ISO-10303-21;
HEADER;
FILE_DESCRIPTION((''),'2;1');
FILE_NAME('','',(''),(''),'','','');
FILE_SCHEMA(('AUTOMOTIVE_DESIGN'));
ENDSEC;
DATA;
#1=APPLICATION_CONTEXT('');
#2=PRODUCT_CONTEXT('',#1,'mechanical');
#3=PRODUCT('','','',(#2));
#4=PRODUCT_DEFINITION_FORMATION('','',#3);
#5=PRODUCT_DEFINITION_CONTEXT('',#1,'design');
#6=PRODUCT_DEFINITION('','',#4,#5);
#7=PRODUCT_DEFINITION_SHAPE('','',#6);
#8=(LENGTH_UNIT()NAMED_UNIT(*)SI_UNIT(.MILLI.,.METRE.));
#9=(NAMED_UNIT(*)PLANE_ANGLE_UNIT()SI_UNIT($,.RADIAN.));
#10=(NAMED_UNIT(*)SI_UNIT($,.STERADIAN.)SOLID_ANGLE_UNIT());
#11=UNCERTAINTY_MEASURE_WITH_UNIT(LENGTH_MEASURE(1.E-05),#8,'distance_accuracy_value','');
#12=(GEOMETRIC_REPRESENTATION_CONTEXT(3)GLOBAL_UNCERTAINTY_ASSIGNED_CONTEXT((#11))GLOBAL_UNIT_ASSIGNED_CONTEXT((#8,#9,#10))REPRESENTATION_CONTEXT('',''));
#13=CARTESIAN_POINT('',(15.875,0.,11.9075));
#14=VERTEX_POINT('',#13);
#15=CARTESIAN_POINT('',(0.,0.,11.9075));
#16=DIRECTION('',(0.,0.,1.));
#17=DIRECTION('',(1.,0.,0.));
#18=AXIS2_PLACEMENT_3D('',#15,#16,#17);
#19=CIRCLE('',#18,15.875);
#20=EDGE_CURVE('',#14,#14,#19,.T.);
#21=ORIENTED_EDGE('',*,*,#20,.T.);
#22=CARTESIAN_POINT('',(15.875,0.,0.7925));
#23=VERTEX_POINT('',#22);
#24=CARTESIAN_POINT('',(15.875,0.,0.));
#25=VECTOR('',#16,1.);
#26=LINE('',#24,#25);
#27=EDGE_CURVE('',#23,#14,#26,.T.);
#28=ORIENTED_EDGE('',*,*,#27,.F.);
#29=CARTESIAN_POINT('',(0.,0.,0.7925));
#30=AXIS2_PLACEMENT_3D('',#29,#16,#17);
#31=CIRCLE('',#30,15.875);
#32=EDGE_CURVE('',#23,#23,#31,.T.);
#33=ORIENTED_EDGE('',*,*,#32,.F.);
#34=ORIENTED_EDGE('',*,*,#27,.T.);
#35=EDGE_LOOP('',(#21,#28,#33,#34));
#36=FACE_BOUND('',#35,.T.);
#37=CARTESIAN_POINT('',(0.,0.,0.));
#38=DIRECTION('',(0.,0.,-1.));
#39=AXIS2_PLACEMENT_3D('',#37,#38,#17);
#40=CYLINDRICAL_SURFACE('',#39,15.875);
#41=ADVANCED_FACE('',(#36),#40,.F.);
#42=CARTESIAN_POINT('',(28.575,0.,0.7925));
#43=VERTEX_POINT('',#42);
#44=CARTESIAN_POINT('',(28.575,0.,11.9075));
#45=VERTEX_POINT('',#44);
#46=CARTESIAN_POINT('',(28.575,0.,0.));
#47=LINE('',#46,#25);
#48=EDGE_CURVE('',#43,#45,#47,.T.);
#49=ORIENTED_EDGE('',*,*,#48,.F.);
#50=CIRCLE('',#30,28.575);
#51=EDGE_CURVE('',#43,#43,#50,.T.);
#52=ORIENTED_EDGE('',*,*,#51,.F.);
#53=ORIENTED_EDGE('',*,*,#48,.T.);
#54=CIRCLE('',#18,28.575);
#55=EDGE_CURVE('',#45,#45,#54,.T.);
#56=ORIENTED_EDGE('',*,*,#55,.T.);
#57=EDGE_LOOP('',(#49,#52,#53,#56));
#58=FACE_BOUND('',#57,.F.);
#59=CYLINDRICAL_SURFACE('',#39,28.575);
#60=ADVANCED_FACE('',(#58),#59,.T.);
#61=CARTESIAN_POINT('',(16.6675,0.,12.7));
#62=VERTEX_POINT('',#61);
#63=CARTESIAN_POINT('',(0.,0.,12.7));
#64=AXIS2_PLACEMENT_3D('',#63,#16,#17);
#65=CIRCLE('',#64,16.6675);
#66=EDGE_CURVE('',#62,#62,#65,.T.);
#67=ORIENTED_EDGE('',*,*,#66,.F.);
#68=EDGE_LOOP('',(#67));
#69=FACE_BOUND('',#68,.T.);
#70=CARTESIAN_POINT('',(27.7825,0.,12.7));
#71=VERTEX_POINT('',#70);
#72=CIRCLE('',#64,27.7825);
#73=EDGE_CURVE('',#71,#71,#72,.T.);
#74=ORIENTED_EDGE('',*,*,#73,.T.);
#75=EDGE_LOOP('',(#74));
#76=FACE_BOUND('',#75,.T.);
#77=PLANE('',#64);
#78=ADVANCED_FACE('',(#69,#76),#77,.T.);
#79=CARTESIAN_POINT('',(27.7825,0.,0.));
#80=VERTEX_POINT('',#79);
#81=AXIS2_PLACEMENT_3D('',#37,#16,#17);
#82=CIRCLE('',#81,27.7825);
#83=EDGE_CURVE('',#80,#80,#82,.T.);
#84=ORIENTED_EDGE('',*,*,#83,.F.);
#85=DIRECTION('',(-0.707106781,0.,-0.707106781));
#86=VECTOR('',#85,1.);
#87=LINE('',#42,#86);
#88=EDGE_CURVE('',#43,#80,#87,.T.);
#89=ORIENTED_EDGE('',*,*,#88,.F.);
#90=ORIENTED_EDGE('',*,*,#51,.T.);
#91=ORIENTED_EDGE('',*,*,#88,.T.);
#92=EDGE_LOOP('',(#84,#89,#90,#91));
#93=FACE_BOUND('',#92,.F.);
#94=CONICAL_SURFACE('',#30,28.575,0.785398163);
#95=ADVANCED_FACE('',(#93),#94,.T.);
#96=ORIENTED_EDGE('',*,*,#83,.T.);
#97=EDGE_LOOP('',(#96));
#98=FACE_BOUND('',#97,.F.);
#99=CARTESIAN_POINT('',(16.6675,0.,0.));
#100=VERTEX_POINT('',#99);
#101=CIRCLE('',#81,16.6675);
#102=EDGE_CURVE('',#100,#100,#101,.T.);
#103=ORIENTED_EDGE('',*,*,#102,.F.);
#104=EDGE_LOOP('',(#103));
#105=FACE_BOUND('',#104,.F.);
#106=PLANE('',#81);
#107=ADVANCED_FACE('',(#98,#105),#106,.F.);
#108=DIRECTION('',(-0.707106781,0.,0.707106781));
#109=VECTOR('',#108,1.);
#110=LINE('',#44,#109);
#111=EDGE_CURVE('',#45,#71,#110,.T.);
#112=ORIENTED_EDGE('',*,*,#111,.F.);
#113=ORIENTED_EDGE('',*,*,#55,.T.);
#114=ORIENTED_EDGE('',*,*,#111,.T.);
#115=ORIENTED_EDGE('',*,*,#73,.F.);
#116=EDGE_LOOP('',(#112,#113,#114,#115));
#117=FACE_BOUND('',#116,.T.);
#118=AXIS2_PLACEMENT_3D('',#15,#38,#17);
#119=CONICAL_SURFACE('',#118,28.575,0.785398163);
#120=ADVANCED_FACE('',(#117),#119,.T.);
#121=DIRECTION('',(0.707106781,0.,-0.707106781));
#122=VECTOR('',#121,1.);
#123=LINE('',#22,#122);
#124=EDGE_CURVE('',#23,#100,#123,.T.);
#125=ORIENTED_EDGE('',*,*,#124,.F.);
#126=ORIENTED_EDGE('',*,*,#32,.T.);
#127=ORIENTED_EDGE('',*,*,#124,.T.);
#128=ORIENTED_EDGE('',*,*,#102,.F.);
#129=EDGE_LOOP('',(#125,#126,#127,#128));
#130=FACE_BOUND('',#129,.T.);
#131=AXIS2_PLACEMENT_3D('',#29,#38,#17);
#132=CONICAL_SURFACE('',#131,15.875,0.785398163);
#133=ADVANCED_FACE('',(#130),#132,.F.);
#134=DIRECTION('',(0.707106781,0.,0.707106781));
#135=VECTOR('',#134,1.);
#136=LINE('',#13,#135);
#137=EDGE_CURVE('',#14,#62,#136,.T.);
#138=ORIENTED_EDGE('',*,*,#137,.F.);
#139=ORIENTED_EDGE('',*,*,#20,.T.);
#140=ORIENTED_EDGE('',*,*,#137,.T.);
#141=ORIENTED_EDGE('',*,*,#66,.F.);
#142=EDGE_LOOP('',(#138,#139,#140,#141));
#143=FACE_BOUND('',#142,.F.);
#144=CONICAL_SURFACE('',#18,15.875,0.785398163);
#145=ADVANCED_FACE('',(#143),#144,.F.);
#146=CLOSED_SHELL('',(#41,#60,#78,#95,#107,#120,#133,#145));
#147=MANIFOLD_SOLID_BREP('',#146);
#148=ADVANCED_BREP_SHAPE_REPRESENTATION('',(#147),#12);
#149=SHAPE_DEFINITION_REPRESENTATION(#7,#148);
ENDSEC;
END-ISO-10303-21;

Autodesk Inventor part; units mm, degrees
ref_plane "YZ Plane" through (0, 0, 0) normal (1, 0, 0) x (0, 1, 0)
ref_plane "XZ Plane" through (0, 0, 0) normal (0, 1, 0) x (-1, 0, 0)
ref_plane "XY Plane" through (0, 0, 0) normal (0, 0, 1) x (1, 0, 0)
sketch "Sketch1" plane through (0, 0, 0) normal (0, 0, 1) x (1, 0, 0)
  circle A0 centre (0, 0) radius 28.575
  circle A1 centre (0, 0) radius 15.875
  dimension "d0" = 57.15
  dimension "d1" = 31.75
extrude "Extrusion1" add sketch "Sketch1" along normal blind 12.7
chamfer "Chamfer1" distance 0.7925 angle 45 4 edges at (-15.875, 0, 12.7) (-15.875, 0, 0) (-28.575, 0, 12.7) (-28.575, 0, 0)
properties part number "1_250_ID_x_2_250_OD_X_0_500_Radial_Bearing_EE11S-2RS" material "Steel, Mild"
